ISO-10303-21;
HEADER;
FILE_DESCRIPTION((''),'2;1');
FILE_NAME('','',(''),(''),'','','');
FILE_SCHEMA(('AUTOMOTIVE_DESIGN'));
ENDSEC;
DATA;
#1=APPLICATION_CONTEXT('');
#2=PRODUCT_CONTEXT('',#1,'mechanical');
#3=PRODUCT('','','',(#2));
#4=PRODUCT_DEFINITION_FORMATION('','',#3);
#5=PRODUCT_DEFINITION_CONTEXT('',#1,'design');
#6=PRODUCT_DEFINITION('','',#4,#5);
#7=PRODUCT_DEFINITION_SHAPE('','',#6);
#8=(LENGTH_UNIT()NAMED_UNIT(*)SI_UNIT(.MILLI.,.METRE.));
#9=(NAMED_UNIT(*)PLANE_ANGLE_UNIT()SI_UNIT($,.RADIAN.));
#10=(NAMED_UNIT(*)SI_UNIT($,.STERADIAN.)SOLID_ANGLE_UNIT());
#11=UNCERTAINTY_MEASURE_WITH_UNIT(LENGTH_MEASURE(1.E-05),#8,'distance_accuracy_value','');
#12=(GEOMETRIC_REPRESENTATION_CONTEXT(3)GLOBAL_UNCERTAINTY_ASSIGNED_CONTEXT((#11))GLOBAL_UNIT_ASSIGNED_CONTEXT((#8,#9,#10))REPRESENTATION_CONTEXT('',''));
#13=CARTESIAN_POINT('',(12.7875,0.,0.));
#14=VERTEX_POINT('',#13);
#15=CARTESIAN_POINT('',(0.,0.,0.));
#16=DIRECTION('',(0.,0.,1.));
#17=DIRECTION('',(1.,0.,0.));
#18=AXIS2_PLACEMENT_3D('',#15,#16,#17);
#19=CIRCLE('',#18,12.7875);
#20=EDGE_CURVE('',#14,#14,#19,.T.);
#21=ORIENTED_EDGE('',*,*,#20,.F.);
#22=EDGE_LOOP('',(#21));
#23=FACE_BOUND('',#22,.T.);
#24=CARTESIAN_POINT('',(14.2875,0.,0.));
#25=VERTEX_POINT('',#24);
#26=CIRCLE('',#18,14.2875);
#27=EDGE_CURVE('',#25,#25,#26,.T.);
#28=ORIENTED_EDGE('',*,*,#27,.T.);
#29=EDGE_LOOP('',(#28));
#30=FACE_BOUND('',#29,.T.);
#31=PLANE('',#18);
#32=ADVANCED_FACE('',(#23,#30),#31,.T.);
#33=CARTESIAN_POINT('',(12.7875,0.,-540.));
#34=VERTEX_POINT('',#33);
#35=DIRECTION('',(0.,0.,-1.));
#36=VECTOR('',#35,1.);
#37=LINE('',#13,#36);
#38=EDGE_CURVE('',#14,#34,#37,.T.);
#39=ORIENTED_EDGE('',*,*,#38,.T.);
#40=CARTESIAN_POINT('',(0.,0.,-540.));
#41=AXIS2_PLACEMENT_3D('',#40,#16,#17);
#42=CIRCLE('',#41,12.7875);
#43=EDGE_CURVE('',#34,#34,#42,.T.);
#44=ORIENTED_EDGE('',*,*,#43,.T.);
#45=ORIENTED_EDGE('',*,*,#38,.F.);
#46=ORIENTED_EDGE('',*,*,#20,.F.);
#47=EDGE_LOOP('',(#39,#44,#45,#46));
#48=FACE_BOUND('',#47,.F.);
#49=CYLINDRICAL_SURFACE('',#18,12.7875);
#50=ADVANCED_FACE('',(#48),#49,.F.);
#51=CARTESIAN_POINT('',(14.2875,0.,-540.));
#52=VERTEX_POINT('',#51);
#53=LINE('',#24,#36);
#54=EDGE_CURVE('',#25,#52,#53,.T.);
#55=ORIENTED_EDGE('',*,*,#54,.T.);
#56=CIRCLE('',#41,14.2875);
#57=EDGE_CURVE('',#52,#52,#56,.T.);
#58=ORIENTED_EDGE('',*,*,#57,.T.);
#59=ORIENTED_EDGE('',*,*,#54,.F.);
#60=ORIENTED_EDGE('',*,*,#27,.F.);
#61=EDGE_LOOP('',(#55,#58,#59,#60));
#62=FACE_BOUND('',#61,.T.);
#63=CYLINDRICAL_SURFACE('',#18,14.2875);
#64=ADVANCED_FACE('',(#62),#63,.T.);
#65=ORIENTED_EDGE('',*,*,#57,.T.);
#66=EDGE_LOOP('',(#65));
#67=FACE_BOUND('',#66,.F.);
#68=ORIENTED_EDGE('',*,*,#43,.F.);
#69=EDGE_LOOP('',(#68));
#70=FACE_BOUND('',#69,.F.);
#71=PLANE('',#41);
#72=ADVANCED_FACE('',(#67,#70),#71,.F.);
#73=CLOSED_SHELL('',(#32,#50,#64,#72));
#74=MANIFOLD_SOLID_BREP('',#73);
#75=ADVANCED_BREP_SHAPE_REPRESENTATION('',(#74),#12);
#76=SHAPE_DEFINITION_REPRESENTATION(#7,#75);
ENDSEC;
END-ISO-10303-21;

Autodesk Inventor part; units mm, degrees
ref_plane "YZ Plane" through (0, 0, 0) normal (1, 0, 0) x (0, 1, 0)
ref_plane "XZ Plane" through (0, 0, 0) normal (0, 1, 0) x (-1, 0, 0)
ref_plane "XY Plane" through (0, 0, 0) normal (0, 0, 1) x (1, 0, 0)
sketch "Sketch1" plane through (0, 0, 0) normal (0, 0, 1) x (1, 0, 0)
  circle A0 centre (0, 0) radius 14.2875
  circle A1 centre (0, 0) radius 12.7875
  dimension "d0" = 28.575
  dimension "d4" = 1.5
extrude "Extrusion1" add sketch "Sketch1" against normal blind 540
properties part number "Barra_1_1-8_540" material "Steel, Mild"
